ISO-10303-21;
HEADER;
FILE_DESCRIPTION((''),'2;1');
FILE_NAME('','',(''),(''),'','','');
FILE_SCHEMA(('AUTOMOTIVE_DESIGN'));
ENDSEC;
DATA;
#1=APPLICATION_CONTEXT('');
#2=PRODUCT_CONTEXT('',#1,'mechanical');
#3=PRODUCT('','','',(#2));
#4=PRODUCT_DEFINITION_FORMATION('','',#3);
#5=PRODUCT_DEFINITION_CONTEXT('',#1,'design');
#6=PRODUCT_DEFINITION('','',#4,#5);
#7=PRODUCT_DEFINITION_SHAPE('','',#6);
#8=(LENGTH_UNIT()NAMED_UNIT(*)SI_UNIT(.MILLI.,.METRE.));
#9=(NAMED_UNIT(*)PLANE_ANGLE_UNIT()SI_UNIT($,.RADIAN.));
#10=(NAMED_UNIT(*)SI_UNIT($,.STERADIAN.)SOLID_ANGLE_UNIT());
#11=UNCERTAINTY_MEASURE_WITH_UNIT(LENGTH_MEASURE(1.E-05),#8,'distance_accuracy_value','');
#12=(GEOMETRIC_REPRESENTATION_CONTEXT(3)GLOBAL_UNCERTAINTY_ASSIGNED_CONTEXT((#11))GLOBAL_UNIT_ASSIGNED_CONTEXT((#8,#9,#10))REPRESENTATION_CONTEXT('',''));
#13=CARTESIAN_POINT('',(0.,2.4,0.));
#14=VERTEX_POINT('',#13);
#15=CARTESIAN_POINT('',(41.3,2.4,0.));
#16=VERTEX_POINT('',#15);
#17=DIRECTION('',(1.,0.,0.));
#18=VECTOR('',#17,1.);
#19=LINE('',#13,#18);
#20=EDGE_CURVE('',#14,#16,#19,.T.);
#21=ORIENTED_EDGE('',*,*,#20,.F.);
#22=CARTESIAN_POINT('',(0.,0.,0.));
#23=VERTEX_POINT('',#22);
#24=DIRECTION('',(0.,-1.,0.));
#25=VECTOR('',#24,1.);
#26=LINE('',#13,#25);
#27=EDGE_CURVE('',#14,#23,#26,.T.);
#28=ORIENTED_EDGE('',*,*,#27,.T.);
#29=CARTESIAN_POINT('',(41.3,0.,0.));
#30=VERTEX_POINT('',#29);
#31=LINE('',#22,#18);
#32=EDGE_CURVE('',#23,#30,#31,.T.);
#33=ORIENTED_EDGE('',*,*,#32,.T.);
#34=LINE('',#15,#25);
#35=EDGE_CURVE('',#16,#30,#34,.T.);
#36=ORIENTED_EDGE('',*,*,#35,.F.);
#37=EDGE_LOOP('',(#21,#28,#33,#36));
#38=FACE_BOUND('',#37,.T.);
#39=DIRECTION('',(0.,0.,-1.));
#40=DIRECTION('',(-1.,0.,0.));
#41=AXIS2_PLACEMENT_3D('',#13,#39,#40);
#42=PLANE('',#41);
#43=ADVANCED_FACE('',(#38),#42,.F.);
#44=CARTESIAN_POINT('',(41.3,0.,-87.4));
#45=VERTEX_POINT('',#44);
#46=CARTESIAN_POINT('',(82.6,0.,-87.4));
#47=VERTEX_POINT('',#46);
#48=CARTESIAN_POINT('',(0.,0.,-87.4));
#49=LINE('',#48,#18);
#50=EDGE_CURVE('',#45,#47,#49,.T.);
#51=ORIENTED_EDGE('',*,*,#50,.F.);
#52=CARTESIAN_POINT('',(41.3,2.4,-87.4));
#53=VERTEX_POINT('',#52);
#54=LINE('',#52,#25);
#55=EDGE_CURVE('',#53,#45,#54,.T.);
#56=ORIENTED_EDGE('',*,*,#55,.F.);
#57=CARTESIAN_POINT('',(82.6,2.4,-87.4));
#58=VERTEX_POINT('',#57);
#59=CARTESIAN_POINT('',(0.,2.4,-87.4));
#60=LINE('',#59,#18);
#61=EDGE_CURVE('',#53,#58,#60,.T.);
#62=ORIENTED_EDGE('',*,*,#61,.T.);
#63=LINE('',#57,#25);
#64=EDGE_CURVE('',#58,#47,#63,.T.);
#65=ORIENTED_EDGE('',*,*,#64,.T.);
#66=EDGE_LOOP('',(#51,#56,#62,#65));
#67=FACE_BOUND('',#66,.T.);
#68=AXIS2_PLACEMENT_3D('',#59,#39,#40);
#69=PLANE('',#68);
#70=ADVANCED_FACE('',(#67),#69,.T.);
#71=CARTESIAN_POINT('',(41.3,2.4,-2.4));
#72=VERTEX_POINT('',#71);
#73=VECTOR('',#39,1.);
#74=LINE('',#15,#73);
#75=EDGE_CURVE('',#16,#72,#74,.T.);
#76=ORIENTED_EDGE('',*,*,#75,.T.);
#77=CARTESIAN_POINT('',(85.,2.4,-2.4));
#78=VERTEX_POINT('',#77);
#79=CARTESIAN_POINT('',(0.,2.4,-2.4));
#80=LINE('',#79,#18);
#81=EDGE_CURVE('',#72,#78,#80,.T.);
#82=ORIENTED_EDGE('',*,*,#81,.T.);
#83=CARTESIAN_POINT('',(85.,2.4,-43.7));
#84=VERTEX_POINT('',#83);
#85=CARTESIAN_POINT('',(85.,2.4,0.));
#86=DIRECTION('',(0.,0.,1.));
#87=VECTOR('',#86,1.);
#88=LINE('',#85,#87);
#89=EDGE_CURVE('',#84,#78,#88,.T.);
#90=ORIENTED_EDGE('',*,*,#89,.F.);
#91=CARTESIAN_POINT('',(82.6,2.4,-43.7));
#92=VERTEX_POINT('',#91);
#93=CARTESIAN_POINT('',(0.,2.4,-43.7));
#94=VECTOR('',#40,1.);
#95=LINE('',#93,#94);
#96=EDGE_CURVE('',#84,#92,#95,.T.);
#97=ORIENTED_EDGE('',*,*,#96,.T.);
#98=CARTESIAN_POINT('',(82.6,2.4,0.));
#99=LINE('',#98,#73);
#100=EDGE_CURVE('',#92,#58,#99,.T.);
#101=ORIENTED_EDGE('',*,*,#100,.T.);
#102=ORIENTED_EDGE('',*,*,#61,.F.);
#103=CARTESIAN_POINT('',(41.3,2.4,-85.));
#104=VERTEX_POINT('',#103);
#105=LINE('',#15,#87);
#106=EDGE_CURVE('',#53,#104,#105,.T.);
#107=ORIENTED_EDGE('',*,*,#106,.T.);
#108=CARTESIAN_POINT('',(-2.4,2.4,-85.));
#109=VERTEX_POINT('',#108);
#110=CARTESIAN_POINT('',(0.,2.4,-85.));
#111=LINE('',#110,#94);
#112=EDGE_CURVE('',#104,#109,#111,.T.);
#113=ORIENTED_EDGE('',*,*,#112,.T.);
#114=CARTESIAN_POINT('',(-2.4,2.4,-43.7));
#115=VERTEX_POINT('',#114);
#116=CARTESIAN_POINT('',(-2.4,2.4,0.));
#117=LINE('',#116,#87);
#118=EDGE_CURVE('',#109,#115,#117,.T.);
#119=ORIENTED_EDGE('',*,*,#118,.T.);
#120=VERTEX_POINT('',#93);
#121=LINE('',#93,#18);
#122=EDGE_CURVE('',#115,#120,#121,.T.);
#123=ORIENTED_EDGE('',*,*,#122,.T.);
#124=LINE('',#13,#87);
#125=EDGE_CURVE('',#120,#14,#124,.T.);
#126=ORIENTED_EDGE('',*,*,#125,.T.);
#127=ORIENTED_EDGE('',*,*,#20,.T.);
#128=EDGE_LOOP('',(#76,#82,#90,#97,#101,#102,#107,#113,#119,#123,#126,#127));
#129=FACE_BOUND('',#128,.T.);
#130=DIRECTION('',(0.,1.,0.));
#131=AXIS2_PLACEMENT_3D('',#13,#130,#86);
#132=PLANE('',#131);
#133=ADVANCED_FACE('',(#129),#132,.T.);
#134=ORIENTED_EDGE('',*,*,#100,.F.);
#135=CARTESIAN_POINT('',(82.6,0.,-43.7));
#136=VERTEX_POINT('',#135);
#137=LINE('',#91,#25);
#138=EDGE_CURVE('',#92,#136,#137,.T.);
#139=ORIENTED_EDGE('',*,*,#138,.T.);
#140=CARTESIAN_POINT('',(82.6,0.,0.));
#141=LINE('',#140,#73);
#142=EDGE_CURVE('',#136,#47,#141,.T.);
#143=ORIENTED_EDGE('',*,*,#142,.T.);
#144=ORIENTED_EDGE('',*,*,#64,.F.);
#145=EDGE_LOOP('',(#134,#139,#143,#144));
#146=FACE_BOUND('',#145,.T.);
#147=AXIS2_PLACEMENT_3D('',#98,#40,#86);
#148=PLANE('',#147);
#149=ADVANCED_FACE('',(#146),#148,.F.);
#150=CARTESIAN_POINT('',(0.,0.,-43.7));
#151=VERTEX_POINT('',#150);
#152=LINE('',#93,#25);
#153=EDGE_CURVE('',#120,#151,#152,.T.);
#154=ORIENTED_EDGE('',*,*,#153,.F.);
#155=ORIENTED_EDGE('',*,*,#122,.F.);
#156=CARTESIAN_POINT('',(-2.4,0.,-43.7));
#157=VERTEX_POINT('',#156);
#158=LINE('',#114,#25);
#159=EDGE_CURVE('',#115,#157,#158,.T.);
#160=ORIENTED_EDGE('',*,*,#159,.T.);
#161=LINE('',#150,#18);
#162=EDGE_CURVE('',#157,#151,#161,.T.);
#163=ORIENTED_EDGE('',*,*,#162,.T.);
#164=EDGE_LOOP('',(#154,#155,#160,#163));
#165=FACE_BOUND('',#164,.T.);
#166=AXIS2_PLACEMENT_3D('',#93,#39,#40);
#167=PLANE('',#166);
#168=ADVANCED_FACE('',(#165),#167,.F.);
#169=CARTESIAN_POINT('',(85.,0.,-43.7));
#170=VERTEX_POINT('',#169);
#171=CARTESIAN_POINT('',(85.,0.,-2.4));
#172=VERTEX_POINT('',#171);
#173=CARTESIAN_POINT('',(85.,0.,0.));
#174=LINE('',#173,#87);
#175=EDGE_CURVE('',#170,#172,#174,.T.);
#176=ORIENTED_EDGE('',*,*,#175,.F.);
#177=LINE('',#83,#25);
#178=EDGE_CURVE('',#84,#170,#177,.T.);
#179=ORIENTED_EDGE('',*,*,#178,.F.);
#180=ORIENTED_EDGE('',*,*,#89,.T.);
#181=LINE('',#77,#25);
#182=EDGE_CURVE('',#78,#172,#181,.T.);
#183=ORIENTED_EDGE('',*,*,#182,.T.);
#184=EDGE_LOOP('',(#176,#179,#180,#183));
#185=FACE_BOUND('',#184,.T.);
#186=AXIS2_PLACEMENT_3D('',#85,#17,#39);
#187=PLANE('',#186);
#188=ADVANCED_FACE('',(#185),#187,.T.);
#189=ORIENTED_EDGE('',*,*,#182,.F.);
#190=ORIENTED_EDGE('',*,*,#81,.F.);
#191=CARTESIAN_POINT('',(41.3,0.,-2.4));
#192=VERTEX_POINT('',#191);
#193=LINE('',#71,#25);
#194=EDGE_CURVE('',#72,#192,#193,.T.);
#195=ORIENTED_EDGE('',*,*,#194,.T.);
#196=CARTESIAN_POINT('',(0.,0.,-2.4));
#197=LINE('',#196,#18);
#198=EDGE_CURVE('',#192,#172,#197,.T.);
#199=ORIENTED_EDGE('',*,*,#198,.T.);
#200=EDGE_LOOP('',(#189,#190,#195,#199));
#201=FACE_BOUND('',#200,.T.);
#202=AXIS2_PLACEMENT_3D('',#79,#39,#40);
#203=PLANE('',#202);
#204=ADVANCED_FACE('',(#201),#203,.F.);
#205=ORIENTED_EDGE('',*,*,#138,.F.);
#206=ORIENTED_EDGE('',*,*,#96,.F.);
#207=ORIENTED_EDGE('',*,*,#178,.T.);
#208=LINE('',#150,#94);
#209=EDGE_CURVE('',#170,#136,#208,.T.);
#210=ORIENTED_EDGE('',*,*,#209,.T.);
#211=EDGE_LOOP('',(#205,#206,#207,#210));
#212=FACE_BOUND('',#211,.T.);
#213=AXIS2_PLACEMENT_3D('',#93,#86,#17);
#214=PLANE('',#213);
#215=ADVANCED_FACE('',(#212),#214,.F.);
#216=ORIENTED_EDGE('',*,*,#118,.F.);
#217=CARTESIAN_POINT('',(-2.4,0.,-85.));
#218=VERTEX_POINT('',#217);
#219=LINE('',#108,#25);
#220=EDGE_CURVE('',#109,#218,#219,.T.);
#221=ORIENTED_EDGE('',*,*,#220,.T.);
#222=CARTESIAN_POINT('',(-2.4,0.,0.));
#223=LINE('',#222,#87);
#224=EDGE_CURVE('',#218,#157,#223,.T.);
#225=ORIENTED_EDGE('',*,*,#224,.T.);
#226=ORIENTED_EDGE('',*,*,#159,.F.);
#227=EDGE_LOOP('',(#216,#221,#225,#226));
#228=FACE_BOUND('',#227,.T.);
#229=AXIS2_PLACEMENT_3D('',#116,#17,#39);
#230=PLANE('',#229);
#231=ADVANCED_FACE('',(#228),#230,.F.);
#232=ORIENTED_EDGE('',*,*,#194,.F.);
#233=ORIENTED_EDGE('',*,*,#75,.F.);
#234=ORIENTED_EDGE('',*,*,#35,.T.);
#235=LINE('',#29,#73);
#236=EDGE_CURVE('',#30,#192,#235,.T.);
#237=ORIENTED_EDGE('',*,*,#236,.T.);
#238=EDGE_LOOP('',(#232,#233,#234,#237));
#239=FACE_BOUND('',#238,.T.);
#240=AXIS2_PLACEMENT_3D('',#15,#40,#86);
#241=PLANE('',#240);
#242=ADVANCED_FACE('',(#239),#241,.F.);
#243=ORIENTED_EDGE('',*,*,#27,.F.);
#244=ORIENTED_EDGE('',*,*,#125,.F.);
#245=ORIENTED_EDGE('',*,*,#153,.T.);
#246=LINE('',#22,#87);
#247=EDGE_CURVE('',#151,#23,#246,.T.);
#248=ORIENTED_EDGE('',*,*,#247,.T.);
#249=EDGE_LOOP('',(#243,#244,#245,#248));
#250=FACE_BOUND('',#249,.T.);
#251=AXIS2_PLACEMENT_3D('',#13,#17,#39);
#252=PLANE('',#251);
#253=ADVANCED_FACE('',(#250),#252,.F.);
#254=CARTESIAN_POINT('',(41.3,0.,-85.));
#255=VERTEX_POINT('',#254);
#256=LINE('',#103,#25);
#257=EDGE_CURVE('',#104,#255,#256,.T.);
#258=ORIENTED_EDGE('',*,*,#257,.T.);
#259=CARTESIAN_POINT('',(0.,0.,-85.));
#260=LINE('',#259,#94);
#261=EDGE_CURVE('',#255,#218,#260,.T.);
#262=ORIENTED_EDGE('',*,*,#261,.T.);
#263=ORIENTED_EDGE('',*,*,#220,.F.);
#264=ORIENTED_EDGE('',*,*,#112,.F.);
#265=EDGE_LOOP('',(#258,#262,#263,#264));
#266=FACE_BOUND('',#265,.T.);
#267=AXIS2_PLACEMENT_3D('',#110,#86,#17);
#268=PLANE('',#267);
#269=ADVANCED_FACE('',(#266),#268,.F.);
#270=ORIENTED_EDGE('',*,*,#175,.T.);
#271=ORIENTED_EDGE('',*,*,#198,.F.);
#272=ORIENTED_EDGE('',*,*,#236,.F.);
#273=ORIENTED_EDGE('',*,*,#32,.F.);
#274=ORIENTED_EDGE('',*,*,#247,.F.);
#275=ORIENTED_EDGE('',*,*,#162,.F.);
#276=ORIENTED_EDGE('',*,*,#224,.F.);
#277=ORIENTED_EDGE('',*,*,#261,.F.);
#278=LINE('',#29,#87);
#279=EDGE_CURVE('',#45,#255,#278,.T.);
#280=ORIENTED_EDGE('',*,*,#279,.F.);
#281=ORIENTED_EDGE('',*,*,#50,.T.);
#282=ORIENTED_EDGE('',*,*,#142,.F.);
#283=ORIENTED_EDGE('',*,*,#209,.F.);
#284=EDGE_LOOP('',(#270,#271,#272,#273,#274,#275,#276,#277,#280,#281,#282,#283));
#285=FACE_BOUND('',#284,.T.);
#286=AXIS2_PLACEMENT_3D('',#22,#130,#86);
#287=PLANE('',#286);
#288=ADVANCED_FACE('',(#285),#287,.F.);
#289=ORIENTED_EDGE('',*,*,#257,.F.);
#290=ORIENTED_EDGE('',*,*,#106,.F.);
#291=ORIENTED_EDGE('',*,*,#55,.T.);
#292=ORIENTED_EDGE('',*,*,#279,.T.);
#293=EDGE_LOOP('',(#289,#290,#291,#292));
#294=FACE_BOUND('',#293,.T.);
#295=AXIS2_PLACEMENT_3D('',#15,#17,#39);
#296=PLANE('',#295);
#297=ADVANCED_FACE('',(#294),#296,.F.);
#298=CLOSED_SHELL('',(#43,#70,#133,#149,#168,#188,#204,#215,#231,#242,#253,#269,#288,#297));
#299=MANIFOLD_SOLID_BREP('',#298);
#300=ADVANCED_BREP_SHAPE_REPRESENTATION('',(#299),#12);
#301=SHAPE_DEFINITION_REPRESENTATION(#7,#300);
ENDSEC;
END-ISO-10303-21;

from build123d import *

# Parameters (mm, degrees)
P_IDAT_VYSUNUT_M1_DEPTH = 2.4


with BuildPart() as part:
    # Skica1 → Přidat vysunutím1 (new body)
    with BuildSketch(Plane(origin=(0, 0, 0), x_dir=(1, 0, 0), z_dir=(0, 1, 0))):
        Polygon((41.3, 87.4), (41.3, 85), (-2.4, 85), (-2.4, 43.7), (0, 43.7), (0, 0), (41.3, 0), (41.3, 2.4), (85, 2.4), (85, 43.7), (82.6, 43.7), (82.6, 87.4), align=None)
    extrude(amount=P_IDAT_VYSUNUT_M1_DEPTH)


solid = part.part
